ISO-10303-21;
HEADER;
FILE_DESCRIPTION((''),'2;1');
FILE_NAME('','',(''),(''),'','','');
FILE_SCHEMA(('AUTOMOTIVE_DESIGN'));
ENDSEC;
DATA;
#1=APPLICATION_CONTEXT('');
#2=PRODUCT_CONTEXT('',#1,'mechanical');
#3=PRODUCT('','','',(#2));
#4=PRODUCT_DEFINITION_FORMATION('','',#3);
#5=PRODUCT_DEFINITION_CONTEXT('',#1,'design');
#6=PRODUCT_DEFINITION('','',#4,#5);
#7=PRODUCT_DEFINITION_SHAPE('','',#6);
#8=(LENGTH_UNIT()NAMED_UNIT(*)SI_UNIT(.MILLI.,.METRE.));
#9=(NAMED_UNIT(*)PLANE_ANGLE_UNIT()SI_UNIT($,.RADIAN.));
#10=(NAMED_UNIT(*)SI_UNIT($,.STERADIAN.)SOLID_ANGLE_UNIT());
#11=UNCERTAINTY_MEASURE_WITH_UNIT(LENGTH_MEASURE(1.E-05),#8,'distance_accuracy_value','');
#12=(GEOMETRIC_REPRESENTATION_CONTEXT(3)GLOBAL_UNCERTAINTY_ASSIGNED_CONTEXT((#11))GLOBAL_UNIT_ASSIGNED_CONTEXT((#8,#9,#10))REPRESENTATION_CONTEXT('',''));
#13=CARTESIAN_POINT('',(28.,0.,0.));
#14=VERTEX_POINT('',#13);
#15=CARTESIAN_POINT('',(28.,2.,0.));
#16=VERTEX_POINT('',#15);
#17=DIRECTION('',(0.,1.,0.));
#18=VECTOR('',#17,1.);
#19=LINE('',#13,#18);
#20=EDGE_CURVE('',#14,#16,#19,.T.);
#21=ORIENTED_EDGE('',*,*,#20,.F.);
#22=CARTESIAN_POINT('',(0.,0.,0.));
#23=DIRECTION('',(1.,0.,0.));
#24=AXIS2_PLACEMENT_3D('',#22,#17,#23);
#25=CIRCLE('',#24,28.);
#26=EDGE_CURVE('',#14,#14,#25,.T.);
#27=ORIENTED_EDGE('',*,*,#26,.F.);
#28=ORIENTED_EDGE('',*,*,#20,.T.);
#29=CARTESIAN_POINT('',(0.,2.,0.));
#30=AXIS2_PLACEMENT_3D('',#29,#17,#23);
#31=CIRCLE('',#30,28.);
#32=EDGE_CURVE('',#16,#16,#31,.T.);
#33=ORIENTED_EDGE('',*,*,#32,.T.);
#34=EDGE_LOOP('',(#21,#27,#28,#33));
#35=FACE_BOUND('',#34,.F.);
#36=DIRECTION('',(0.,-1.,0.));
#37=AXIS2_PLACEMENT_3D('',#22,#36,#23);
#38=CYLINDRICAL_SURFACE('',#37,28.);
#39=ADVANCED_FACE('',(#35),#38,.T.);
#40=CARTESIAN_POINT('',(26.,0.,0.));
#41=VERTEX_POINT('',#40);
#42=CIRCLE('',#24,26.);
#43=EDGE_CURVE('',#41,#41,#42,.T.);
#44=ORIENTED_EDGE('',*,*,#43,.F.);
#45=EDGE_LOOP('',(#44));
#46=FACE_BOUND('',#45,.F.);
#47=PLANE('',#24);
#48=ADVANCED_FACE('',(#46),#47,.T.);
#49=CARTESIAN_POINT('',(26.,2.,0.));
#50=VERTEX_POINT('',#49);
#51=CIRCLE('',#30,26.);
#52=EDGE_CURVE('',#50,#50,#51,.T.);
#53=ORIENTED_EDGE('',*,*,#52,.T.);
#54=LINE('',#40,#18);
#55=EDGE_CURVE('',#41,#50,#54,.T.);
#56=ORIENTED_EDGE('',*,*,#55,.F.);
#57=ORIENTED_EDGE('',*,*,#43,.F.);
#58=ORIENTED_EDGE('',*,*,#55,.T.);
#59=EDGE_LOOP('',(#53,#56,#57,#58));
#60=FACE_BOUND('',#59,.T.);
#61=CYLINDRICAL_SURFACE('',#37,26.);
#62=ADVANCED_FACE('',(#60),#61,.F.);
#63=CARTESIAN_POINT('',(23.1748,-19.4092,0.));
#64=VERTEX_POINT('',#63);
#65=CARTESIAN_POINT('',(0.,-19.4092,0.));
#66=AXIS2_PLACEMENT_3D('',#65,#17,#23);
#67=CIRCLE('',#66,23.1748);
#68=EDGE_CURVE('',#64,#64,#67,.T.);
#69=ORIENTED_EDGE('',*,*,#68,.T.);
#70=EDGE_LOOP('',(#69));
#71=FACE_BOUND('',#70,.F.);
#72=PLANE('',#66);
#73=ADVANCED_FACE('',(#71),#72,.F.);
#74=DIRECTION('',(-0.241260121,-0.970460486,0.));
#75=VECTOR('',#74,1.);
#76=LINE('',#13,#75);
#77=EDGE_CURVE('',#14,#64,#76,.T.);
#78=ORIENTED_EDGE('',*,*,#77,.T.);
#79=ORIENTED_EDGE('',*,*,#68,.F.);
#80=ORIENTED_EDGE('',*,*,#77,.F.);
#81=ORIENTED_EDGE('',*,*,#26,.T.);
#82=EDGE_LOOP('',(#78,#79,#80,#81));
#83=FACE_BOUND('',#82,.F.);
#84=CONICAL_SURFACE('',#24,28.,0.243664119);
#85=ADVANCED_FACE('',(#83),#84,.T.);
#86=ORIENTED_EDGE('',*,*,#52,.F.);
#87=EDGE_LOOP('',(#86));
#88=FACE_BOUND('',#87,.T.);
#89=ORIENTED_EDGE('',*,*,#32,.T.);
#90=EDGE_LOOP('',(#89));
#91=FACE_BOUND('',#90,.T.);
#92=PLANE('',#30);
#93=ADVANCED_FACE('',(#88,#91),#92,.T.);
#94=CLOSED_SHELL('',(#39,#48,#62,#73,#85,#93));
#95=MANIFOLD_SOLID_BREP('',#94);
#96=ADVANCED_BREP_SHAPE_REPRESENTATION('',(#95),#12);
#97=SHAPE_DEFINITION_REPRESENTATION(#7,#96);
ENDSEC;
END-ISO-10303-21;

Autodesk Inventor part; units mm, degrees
ref_plane "YZ Plane" through (0, 0, 0) normal (1, 0, 0) x (0, 1, 0)
ref_plane "XZ Plane" through (0, 0, 0) normal (0, 1, 0) x (-1, 0, 0)
ref_plane "XY Plane" through (0, 0, 0) normal (0, 0, 1) x (1, 0, 0)
sketch "草圖2" plane through (0, 0, 0) normal (0, 0, 1) x (1, 0, 0)
  line L0 (0, 0) -> (28, 0)
  line L1 (28, 0) -> (23.1748, -19.4092)
  line L2 (23.1748, -19.4092) -> (0, -19.4092)
  line L3 (0, -19.4092) -> (0, 0)
  line L4 (0, 0) -> (0, -19.4092)
  dimension "d1" = 28
  dimension "d2" = 20
revolve "迴轉1" add sketch "草圖2" angle 360 about axis through (0, -19.4092, 0) along (0, 1, 0)
sketch "草圖3" plane through (0, 0, 0) normal (0, 1, 0) x (1, 0, 0)
  circle A0 centre (0, 0) radius 28
  circle A1 centre (0, 0) radius 26
  dimension "d4" = 56
  dimension "d5" = 52
extrude "擠出1" add sketch "草圖3" along normal blind 2
properties part number "屋-1 base"
